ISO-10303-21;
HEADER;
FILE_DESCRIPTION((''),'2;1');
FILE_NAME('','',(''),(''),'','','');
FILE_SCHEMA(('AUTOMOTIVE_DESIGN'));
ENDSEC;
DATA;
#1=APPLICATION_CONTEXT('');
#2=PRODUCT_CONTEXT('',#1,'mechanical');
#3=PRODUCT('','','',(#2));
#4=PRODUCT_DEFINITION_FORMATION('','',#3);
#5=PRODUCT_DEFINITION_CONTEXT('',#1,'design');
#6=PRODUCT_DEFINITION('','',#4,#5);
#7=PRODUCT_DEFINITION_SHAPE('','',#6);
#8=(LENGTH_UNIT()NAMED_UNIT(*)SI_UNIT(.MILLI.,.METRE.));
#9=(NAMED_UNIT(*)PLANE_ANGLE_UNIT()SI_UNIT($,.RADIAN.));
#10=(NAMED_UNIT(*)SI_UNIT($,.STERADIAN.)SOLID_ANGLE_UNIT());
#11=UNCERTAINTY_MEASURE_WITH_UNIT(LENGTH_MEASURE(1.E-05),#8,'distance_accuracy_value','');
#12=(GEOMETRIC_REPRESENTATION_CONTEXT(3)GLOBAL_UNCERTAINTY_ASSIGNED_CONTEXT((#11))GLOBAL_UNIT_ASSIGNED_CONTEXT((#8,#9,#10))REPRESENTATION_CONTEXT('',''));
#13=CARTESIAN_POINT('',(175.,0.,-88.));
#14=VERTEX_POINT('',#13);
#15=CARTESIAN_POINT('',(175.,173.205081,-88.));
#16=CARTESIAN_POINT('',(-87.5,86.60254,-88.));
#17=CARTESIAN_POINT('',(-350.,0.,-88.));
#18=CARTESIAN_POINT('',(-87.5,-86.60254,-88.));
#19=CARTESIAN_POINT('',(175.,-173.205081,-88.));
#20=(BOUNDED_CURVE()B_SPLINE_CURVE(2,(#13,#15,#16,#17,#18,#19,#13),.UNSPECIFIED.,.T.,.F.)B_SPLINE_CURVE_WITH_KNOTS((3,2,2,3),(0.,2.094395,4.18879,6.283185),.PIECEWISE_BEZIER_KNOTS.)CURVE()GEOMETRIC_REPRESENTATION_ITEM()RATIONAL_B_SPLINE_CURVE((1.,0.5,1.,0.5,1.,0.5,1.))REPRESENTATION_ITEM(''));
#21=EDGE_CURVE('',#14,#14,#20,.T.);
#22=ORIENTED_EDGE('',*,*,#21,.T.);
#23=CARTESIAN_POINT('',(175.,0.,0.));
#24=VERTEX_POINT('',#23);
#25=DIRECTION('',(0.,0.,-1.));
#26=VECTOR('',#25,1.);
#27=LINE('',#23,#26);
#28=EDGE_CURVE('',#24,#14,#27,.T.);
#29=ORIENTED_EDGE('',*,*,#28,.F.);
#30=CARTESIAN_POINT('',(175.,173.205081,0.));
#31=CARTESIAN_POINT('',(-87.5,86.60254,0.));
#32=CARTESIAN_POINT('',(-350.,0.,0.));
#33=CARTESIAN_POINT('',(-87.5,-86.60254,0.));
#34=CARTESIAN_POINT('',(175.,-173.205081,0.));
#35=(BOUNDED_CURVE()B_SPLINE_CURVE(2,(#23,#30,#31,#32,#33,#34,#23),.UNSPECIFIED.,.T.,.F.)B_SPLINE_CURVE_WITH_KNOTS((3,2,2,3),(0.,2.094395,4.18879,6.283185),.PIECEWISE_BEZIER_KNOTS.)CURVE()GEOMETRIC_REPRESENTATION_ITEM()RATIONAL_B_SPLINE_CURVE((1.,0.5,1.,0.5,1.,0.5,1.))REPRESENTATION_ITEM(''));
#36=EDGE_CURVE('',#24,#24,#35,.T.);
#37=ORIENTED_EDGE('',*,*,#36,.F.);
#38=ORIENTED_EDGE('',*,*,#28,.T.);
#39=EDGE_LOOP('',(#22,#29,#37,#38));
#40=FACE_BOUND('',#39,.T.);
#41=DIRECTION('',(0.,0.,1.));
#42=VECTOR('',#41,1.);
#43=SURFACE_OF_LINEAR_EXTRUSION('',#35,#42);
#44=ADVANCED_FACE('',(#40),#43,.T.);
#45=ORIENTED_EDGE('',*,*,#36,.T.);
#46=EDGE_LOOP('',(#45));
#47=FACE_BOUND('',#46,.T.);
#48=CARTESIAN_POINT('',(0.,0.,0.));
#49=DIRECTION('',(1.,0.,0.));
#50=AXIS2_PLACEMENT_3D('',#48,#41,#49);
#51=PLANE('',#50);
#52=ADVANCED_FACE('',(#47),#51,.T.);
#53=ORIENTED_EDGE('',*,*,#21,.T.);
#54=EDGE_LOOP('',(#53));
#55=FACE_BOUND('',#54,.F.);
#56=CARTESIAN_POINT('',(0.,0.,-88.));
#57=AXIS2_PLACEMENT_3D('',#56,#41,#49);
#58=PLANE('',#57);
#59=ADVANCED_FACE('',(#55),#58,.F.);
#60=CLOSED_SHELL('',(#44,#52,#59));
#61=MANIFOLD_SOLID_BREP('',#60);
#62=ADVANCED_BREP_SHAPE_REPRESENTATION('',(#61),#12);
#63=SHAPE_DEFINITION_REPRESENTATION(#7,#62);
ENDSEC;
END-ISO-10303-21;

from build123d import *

# Parameters (mm, degrees)
F1_DEPTH = 88


with BuildPart() as f1:
    # F0 (on Top) → F1 (new body)
    with BuildSketch(Plane.XY):
        with BuildLine():
            add(Edge.make_bspline(
                [(175, 0), (175, 173.205081), (-87.5, 86.60254), (-350, 0), (-87.5, -86.60254), (175, -173.205081), (175, 0)],
                knots=[0, 0, 0, 2.094395, 2.094395, 4.18879, 4.18879, 6.283185, 6.283185, 6.283185], degree=2, weights=[1, 0.5, 1, 0.5, 1, 0.5, 1]))
        make_face()
    extrude(amount=-F1_DEPTH)


solid = f1.part
